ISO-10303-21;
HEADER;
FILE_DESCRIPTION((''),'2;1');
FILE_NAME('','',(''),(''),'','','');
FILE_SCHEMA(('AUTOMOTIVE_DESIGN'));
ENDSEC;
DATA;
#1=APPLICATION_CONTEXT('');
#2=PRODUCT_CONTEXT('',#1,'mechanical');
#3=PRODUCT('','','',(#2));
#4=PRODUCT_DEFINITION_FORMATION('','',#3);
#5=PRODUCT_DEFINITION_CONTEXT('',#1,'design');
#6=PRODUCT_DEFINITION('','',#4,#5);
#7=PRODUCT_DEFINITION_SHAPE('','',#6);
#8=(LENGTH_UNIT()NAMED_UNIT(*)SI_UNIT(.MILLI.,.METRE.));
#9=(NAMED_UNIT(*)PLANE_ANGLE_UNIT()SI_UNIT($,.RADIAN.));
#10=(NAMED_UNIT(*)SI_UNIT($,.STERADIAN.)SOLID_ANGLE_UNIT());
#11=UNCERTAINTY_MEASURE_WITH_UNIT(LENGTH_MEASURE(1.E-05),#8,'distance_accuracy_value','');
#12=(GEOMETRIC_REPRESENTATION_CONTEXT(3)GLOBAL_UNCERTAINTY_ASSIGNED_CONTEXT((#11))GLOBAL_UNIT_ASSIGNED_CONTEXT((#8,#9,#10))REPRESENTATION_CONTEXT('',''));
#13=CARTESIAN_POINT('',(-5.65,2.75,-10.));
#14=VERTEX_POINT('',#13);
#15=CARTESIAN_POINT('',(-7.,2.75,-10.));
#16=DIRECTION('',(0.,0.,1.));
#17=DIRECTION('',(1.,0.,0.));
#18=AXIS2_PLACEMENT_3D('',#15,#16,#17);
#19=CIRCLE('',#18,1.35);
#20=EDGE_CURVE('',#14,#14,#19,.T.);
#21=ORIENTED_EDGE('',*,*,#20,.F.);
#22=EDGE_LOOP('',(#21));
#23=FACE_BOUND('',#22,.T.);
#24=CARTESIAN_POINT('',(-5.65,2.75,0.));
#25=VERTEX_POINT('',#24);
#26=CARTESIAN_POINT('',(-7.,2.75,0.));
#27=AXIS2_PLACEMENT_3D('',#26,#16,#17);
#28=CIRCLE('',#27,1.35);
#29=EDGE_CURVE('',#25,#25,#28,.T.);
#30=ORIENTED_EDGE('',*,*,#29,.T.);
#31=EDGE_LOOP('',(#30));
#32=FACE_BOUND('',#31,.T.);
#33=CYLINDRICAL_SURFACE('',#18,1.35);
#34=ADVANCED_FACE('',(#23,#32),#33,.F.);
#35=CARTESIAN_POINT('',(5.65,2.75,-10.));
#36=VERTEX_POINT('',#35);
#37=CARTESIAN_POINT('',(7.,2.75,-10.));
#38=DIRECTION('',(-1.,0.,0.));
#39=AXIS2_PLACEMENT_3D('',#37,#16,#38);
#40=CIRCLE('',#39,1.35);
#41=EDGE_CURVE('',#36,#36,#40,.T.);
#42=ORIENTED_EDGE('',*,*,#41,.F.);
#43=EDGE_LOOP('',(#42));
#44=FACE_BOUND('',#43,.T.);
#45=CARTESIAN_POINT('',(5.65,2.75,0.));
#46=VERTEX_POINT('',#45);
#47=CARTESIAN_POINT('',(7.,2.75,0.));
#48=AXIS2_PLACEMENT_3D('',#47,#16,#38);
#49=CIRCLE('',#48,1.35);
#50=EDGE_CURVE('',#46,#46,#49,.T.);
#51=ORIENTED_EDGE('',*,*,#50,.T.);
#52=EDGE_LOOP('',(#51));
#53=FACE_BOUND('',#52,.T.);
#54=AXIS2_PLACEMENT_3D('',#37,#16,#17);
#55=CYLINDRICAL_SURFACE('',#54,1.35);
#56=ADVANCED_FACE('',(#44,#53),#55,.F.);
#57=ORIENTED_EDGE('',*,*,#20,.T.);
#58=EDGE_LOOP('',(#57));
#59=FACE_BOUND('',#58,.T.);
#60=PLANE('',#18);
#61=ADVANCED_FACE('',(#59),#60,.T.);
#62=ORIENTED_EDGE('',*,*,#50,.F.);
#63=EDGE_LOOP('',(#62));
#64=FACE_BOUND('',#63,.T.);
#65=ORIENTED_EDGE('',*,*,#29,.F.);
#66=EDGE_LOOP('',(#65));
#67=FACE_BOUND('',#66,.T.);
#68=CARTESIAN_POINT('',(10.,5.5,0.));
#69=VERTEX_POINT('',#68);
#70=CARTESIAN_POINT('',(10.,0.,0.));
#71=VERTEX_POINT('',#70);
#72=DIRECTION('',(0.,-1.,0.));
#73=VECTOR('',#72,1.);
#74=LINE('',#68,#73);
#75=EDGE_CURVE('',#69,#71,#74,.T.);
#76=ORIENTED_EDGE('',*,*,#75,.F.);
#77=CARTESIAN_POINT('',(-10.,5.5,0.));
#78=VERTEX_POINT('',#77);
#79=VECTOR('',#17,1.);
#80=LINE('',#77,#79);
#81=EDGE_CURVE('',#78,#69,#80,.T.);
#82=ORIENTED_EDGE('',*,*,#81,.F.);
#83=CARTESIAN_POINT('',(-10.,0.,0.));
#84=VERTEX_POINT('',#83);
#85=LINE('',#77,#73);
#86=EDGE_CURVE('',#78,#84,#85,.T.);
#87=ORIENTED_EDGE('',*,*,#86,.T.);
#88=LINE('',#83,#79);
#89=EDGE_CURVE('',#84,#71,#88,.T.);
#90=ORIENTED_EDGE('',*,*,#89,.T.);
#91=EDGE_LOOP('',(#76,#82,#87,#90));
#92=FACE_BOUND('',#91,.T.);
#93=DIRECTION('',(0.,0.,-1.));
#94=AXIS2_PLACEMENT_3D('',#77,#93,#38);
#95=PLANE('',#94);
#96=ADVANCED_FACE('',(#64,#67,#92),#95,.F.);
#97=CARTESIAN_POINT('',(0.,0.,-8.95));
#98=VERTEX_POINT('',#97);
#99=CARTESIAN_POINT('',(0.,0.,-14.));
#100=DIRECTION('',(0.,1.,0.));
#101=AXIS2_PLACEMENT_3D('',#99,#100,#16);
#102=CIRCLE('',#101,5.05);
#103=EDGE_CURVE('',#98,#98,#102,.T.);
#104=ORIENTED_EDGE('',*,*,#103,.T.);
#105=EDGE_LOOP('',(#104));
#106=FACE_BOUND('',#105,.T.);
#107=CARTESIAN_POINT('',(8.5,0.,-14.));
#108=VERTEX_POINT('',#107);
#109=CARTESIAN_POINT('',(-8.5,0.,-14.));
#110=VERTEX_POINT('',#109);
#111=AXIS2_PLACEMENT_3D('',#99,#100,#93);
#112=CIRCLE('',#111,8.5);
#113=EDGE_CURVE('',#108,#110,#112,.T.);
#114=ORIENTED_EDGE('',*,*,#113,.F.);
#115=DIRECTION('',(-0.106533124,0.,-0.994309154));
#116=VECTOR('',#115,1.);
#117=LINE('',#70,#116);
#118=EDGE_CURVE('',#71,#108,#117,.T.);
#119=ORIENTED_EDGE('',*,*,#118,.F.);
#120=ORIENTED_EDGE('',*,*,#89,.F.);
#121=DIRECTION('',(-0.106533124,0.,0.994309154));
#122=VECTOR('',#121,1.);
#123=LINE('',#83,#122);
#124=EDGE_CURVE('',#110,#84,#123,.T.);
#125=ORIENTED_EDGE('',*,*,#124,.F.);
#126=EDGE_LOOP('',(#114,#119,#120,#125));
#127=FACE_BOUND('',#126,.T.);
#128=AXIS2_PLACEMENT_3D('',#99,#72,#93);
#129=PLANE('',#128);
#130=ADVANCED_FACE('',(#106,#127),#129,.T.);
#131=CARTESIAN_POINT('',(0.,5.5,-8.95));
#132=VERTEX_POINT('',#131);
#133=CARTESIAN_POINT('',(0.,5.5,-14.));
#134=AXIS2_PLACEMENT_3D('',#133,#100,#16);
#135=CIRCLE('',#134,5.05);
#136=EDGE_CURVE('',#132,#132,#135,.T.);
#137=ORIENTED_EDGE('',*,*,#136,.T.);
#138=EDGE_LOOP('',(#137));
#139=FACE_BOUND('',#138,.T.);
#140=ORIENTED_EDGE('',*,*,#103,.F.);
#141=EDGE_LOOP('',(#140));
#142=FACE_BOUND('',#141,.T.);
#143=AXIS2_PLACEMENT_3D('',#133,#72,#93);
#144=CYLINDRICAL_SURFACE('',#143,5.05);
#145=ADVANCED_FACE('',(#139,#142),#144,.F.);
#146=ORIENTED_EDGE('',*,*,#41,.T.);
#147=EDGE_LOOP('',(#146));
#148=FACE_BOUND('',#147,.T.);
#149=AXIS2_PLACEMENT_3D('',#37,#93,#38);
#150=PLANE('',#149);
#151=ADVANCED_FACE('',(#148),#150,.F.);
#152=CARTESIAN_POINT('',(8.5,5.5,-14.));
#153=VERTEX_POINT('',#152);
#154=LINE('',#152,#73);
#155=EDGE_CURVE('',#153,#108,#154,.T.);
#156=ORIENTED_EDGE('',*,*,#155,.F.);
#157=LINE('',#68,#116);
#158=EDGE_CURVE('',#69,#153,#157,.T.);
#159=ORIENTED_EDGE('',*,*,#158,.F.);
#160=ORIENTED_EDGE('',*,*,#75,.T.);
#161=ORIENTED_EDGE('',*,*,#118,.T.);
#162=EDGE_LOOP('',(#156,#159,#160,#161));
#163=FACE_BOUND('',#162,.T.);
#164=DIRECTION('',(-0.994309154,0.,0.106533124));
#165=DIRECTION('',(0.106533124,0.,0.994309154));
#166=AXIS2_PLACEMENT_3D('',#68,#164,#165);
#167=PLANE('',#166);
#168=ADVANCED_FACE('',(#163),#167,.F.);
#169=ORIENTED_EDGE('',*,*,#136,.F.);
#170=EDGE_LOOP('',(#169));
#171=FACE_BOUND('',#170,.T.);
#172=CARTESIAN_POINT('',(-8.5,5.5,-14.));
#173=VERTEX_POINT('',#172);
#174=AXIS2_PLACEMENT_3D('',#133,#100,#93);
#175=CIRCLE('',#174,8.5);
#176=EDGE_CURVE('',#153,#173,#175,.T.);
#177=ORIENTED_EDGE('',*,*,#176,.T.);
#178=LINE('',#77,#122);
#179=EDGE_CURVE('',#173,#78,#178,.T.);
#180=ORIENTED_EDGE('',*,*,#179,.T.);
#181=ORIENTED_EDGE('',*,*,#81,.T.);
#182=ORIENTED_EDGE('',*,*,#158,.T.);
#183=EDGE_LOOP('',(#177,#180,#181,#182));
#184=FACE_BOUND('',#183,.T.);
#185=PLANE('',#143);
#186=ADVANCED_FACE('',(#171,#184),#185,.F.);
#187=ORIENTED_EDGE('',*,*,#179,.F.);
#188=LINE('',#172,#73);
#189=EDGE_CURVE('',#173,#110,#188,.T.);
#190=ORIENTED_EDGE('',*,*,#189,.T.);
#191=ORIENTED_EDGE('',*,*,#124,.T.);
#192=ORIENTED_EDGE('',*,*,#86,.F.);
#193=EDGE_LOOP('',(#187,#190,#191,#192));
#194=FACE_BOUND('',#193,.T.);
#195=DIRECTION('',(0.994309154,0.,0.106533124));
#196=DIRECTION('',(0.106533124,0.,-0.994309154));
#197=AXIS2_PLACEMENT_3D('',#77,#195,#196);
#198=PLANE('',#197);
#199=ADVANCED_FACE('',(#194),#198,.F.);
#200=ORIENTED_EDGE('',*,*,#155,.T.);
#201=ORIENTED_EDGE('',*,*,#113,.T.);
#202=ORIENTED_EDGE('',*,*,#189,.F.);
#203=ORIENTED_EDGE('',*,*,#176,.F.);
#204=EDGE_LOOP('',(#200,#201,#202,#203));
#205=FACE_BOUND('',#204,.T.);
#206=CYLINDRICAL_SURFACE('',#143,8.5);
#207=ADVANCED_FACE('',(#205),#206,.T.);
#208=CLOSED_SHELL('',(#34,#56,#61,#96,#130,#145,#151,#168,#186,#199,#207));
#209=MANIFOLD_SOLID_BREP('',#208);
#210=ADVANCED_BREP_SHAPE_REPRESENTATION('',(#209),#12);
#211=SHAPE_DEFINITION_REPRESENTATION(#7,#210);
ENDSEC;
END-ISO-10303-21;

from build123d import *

# Parameters (mm, degrees)
SKETCH1_R           = 5.05
BOSS_EXTRUDE1_DEPTH = 5.5
SKETCH2_R           = 1.35
CUT_EXTRUDE1_DEPTH  = 10


with BuildPart() as part:
    # Sketch1 → Boss-Extrude1 (new body)
    with BuildSketch(Plane(origin=(0, 0, 0), x_dir=(1, 0, 0), z_dir=(0, 1, 0))):
        with BuildLine():
            Line((-10, 0), (-8.5, 14))
            ThreePointArc((-8.5, 14), (0, 22.5), (8.5, 14))
            Line((8.5, 14), (10, 0))
            Line((10, 0), (-10, 0))
        make_face()
        with Locations(Location((0, 14, 0), (0, 0, 270))):
            Circle(SKETCH1_R, mode=Mode.SUBTRACT)
    extrude(amount=BOSS_EXTRUDE1_DEPTH)

    # Sketch2 → Cut-Extrude1 (cut)
    with BuildSketch(Plane.XY):
        with Locations((-7, 2.75)):
            Circle(SKETCH2_R)
        with Locations(Location((7, 2.75, 0), (0, 0, 180))):
            Circle(SKETCH2_R)
    extrude(amount=-CUT_EXTRUDE1_DEPTH, mode=Mode.SUBTRACT)


solid = part.part
